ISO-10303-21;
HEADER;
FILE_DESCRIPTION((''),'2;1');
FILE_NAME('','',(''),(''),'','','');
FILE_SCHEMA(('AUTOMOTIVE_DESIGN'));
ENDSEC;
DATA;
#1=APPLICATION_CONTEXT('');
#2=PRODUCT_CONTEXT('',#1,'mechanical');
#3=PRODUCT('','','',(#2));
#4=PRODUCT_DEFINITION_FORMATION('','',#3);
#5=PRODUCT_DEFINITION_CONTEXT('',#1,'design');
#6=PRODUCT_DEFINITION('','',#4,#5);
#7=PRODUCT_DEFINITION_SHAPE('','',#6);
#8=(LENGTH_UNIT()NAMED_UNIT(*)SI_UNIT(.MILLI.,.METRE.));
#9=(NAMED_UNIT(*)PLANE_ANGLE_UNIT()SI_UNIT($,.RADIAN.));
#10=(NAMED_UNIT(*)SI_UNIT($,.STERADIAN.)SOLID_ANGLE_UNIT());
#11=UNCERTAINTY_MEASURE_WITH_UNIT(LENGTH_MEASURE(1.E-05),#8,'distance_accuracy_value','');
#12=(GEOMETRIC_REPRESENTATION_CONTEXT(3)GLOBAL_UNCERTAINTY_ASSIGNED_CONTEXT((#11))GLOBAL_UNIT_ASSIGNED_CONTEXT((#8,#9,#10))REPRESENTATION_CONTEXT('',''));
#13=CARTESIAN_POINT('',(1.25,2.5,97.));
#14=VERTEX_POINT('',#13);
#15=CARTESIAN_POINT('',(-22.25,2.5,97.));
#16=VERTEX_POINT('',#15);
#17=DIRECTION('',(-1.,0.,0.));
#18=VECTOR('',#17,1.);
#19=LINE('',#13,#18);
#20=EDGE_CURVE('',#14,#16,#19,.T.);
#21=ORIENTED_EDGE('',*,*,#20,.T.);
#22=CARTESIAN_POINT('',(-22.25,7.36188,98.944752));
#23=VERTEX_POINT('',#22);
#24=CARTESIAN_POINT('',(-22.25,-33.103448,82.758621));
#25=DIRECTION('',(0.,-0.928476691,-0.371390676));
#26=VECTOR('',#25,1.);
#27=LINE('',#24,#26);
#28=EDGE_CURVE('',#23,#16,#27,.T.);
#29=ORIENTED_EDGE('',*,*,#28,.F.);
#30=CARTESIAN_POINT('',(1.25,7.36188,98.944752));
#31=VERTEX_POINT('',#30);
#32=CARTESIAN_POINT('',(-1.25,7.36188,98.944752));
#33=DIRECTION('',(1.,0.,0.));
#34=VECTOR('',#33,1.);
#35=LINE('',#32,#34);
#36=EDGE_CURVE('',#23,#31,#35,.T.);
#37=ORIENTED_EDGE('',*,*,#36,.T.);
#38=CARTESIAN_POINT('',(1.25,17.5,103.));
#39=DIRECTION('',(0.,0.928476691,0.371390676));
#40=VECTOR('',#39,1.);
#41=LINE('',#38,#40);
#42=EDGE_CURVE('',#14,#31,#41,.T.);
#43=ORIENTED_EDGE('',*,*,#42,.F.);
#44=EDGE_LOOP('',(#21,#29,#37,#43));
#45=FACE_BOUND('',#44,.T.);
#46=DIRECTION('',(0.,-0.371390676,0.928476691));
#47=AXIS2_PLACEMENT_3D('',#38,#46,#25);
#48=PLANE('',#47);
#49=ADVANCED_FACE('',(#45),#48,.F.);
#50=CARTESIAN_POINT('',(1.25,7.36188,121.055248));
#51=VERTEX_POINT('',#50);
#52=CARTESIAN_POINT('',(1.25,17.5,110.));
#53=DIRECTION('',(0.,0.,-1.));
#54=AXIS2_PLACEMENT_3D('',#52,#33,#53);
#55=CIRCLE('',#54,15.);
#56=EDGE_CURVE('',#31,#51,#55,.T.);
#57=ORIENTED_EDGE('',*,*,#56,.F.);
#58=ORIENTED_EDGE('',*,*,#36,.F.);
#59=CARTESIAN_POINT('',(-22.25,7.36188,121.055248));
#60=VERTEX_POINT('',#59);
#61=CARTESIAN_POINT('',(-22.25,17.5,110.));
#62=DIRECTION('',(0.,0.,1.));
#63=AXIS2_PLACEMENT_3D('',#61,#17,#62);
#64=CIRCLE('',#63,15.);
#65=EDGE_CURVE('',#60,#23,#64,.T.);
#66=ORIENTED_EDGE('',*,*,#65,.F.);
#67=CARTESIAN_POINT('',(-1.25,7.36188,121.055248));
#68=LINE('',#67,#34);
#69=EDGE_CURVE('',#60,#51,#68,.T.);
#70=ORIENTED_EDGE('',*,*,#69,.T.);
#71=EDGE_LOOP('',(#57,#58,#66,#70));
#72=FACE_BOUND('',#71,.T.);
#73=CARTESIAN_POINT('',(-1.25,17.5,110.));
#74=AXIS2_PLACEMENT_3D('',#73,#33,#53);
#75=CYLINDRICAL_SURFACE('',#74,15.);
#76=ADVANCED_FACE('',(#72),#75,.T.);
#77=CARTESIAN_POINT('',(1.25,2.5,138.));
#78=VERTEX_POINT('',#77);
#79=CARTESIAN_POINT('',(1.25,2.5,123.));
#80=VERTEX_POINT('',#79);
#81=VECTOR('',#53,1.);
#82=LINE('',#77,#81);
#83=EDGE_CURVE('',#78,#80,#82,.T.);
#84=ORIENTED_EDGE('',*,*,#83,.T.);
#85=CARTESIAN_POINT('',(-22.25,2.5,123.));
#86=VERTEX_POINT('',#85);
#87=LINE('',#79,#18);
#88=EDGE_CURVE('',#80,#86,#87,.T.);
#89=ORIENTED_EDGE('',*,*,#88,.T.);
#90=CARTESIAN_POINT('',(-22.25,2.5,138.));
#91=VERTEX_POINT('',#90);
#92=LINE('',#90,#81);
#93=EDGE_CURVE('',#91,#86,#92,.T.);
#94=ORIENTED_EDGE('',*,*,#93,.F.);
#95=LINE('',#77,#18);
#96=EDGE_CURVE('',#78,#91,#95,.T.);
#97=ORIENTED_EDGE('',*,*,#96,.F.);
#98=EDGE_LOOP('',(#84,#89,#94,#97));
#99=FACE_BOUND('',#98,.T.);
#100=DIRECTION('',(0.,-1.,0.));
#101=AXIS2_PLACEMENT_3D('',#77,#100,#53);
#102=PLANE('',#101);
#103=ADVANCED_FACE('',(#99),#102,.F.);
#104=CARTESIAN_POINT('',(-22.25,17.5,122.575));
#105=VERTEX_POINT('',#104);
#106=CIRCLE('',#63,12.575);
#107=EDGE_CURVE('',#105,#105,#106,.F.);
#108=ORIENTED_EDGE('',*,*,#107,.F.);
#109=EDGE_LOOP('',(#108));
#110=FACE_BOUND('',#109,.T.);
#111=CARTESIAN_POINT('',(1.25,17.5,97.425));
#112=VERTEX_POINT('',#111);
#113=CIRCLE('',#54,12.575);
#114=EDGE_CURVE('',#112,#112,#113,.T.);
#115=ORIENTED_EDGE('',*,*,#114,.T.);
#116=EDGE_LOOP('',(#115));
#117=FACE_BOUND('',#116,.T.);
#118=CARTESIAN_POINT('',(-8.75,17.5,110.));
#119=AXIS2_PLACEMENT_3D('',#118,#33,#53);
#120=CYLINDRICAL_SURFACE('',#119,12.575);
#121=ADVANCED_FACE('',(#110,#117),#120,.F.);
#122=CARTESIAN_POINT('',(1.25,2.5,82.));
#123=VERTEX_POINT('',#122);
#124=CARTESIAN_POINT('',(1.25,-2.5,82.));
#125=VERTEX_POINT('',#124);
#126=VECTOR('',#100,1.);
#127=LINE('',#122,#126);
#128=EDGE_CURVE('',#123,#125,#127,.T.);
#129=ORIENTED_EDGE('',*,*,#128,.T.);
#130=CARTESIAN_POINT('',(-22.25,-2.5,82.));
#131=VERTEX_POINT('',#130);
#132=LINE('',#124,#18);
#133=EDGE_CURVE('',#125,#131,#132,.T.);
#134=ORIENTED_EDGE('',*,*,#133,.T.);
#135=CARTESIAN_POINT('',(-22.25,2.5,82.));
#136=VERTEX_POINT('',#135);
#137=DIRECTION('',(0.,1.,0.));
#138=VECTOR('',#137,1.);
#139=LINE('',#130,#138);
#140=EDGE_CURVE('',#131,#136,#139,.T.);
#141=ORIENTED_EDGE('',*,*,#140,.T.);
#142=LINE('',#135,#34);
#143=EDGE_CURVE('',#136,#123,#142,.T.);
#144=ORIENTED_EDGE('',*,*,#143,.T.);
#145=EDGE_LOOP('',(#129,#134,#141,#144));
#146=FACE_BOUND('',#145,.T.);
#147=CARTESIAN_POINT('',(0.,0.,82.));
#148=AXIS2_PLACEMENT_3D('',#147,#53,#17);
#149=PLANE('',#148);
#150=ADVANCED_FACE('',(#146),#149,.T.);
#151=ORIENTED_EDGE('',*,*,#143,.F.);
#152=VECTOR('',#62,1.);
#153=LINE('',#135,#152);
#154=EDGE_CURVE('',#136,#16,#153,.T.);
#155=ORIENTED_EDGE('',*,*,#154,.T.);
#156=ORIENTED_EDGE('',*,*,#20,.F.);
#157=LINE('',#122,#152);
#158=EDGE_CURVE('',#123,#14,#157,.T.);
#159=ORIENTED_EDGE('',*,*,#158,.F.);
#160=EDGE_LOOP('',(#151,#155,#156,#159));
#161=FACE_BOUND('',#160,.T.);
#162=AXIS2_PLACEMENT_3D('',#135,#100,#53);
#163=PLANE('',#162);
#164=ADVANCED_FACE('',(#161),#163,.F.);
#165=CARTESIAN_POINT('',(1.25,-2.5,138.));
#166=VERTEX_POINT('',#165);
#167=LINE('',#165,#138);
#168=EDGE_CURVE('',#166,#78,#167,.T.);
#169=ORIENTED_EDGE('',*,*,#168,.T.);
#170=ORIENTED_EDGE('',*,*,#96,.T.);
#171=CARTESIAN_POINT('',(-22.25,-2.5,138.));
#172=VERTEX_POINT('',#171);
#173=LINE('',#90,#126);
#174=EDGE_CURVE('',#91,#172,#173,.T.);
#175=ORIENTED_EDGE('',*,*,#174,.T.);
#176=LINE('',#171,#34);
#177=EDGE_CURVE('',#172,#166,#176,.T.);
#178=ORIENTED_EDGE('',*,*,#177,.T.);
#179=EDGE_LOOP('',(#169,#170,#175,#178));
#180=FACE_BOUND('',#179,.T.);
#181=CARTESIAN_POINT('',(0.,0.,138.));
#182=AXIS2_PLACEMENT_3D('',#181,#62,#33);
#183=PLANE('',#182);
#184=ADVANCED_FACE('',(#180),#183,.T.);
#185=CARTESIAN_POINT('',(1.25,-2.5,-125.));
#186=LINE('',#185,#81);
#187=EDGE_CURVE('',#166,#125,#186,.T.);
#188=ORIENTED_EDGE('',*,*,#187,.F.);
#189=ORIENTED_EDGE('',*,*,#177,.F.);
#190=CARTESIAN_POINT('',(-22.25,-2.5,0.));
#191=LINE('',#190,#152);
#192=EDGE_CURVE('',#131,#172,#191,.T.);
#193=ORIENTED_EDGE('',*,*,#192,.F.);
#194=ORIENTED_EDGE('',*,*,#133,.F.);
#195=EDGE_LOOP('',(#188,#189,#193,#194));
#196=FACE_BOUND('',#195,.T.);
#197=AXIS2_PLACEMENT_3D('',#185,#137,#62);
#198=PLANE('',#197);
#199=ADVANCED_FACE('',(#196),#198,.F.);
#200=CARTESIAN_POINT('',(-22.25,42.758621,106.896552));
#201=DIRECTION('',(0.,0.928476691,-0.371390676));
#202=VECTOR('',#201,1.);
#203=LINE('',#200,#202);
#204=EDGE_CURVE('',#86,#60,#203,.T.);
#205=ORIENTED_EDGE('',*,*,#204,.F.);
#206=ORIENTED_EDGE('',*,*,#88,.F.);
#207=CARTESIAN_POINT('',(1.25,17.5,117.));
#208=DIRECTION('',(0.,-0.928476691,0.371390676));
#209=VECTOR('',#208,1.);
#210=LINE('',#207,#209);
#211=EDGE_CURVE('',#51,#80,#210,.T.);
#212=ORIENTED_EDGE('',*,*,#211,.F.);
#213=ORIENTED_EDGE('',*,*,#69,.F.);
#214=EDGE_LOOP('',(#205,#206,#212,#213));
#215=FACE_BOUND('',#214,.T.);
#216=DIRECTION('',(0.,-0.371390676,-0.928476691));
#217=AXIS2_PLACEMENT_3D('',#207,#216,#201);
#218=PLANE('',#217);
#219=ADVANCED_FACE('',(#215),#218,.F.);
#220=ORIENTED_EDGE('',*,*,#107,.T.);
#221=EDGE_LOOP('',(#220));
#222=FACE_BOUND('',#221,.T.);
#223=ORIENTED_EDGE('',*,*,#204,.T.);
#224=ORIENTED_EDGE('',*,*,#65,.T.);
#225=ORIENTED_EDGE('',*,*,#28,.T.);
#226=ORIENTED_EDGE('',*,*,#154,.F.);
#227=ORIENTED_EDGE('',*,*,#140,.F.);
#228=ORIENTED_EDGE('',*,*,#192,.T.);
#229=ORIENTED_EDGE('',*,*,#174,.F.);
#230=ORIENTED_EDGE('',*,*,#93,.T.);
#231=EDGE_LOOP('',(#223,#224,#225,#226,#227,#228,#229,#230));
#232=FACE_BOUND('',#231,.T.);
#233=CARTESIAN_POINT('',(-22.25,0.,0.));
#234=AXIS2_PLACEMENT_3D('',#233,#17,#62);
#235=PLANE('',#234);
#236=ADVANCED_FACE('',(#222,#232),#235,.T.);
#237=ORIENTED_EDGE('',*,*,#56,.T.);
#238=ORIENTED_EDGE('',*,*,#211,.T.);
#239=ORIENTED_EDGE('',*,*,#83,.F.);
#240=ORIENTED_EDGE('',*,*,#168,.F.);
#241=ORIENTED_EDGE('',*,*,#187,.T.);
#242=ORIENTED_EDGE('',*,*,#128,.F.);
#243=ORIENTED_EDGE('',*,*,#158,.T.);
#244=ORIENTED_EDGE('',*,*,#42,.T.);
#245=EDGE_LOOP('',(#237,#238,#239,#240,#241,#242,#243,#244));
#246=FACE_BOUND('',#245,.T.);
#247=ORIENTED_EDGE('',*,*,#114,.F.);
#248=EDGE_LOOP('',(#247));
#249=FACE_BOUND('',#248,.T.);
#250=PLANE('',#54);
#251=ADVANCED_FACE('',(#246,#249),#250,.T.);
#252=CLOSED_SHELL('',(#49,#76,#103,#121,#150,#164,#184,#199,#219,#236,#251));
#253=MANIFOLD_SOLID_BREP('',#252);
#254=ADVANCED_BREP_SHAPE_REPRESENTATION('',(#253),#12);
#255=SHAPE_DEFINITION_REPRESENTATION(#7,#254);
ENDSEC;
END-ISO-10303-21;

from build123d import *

# Parameters (mm, degrees)
CROQUIS1_R              = 2.5
SALIENTE_EXTRUIR1_DEPTH = 1.25
SALIENTE_EXTRUIR4_DEPTH = 2.5
CROQUIS6_R              = 12.575
CORTAR_EXTRUIR3_DEPTH   = 10
SALIENTE_EXTRUIR5_DEPTH = 200
CROQUIS8_R              = 12.575
SALIENTE_EXTRUIR6_DEPTH = 21
CROQUIS9_W              = 200
CROQUIS9_H              = 30.25
CROQUIS9_H_2            = 5
CROQUIS9_W_2            = 2
CORTAR_EXTRUIR6_DEPTH   = 133.67370689
CROQUIS10_W             = 23.5
CROQUIS10_H             = 5
SALIENTE_EXTRUIR7_DEPTH = 15
CROQUIS11_W             = 23.5
CROQUIS11_H             = 5
SALIENTE_EXTRUIR8_DEPTH = 15


with BuildPart() as part:
    # Croquis1 → Saliente-Extruir1 (new, symmetric)
    with BuildSketch(Plane(origin=(0, 0, 0), x_dir=(0, 0, -1), z_dir=(1, 0, 0))):
        with BuildLine():
            Line((125, -2.5), (-125, -2.5))
            Line((-125, -2.5), (-125, 2.5))
            Line((-125, 2.5), (-123, 2.5))
            Line((-123, 2.5), (-117, 17.5))
            ThreePointArc((-117, 17.5), (-110, 24.5), (-103, 17.5))
            Line((-103, 17.5), (-97, 2.5))
            Line((-97, 2.5), (125, 2.5))
            Line((125, 2.5), (125, -2.5))
        make_face()
        with Locations((-110, 17.5)):
            Circle(CROQUIS1_R, mode=Mode.SUBTRACT)
    extrude(amount=SALIENTE_EXTRUIR1_DEPTH, both=True)

    # Croquis5 → Saliente-Extruir4 (add, through all)
    with BuildSketch(Plane(origin=(1.25, 0, 0), x_dir=(0, 0, -1), z_dir=(1, 0, 0))):
        with BuildLine():
            ThreePointArc((-100, 10), (-110, 5), (-120, 10))
            Line((-120, 10), (-121.0552482, 7.361879501))
            ThreePointArc((-121.0552482, 7.361879501), (-110, 2.5), (-98.9447518, 7.361879501))
            Line((-98.9447518, 7.361879501), (-100, 10))
        make_face()
        with BuildLine():
            Line((-121.0552482, 7.361879501), (-120, 10))
            ThreePointArc((-120, 10), (-113.952847075, 29.358541226), (-97.5, 17.5))
            ThreePointArc((-97.5, 17.5), (-98.141458774, 13.547152925), (-100, 10))
            Line((-100, 10), (-98.9447518, 7.361879501))
            ThreePointArc((-98.9447518, 7.361879501), (-96.020931308, 12.060731804), (-95, 17.5))
            ThreePointArc((-95, 17.5), (-115.439268196, 31.479068692), (-121.0552482, 7.361879501))
        make_face()
    extrude(amount=-SALIENTE_EXTRUIR4_DEPTH)

    # Croquis6 → Cortar-Extruir3 (cut)
    with BuildSketch(Plane(origin=(1.25, 0, 0), x_dir=(0, 0, -1), z_dir=(1, 0, 0))):
        with Locations((-110, 17.5)):
            Circle(CROQUIS6_R)
    extrude(amount=-CORTAR_EXTRUIR3_DEPTH, mode=Mode.SUBTRACT)

    # Croquis7 → Saliente-Extruir5 (add)
    with BuildSketch(Plane(origin=(0, 0, -125), x_dir=(-1, 0, 0), z_dir=(0, 0, -1))):
        Polygon((3.75, 37.75), (3.75, -2.5), (1.25, -2.5), (1.25, 2.5), (1.25, 32.75), (-1.25, 32.75), (-1.25, 37.75), align=None)
    extrude(amount=-SALIENTE_EXTRUIR5_DEPTH)

    # Croquis8 → Saliente-Extruir6 (add)
    with BuildSketch(Plane.ZY.offset(1.25)):
        with BuildLine():
            Line((98.9447518, 7.361879501), (97, 2.5))
            Line((97, 2.5), (95, 2.5))
            Line((95, 2.5), (95, -2.5))
            Line((95, -2.5), (125, -2.5))
            Line((125, -2.5), (125, 2.5))
            Line((125, 2.5), (123, 2.5))
            Line((123, 2.5), (121.0552482, 7.361879501))
            ThreePointArc((121.0552482, 7.361879501), (110, 32.5), (98.9447518, 7.361879501))
        make_face()
        with Locations(Location((110, 17.5, 0), (0, 0, 180))):
            Circle(CROQUIS8_R, mode=Mode.SUBTRACT)
    extrude(amount=SALIENTE_EXTRUIR6_DEPTH)

    # Croquis9 → Cortar-Extruir6 (cut, through all)
    with BuildSketch(Plane(origin=(1.25, 0, 0), x_dir=(0, 0, -1), z_dir=(1, 0, 0))):
        Polygon((-75, 2.5), (-97, 2.5), (-97, -2.5), (125, -2.5), (125, 2.5), align=None)
        with Locations((25, 17.625)):
            Rectangle(CROQUIS9_W, CROQUIS9_H)
        with Locations((25, 35.25)):
            Rectangle(CROQUIS9_W, CROQUIS9_H_2)
        with Locations((-124, 0)):
            Rectangle(CROQUIS9_W_2, CROQUIS9_H_2)
    extrude(amount=-CORTAR_EXTRUIR6_DEPTH, mode=Mode.SUBTRACT)

    # Croquis10 → Saliente-Extruir7 (add)
    with BuildSketch(Plane(origin=(0, 0, 97), x_dir=(-1, 0, 0), z_dir=(0, 0, -1))):
        with Locations((10.5, 0)):
            Rectangle(CROQUIS10_W, CROQUIS10_H)
    extrude(amount=SALIENTE_EXTRUIR7_DEPTH)

    # Croquis11 → Saliente-Extruir8 (add)
    with BuildSketch(Plane.XY.offset(123)):
        with Locations((-10.5, 0)):
            Rectangle(CROQUIS11_W, CROQUIS11_H)
    extrude(amount=SALIENTE_EXTRUIR8_DEPTH)


solid = part.part
